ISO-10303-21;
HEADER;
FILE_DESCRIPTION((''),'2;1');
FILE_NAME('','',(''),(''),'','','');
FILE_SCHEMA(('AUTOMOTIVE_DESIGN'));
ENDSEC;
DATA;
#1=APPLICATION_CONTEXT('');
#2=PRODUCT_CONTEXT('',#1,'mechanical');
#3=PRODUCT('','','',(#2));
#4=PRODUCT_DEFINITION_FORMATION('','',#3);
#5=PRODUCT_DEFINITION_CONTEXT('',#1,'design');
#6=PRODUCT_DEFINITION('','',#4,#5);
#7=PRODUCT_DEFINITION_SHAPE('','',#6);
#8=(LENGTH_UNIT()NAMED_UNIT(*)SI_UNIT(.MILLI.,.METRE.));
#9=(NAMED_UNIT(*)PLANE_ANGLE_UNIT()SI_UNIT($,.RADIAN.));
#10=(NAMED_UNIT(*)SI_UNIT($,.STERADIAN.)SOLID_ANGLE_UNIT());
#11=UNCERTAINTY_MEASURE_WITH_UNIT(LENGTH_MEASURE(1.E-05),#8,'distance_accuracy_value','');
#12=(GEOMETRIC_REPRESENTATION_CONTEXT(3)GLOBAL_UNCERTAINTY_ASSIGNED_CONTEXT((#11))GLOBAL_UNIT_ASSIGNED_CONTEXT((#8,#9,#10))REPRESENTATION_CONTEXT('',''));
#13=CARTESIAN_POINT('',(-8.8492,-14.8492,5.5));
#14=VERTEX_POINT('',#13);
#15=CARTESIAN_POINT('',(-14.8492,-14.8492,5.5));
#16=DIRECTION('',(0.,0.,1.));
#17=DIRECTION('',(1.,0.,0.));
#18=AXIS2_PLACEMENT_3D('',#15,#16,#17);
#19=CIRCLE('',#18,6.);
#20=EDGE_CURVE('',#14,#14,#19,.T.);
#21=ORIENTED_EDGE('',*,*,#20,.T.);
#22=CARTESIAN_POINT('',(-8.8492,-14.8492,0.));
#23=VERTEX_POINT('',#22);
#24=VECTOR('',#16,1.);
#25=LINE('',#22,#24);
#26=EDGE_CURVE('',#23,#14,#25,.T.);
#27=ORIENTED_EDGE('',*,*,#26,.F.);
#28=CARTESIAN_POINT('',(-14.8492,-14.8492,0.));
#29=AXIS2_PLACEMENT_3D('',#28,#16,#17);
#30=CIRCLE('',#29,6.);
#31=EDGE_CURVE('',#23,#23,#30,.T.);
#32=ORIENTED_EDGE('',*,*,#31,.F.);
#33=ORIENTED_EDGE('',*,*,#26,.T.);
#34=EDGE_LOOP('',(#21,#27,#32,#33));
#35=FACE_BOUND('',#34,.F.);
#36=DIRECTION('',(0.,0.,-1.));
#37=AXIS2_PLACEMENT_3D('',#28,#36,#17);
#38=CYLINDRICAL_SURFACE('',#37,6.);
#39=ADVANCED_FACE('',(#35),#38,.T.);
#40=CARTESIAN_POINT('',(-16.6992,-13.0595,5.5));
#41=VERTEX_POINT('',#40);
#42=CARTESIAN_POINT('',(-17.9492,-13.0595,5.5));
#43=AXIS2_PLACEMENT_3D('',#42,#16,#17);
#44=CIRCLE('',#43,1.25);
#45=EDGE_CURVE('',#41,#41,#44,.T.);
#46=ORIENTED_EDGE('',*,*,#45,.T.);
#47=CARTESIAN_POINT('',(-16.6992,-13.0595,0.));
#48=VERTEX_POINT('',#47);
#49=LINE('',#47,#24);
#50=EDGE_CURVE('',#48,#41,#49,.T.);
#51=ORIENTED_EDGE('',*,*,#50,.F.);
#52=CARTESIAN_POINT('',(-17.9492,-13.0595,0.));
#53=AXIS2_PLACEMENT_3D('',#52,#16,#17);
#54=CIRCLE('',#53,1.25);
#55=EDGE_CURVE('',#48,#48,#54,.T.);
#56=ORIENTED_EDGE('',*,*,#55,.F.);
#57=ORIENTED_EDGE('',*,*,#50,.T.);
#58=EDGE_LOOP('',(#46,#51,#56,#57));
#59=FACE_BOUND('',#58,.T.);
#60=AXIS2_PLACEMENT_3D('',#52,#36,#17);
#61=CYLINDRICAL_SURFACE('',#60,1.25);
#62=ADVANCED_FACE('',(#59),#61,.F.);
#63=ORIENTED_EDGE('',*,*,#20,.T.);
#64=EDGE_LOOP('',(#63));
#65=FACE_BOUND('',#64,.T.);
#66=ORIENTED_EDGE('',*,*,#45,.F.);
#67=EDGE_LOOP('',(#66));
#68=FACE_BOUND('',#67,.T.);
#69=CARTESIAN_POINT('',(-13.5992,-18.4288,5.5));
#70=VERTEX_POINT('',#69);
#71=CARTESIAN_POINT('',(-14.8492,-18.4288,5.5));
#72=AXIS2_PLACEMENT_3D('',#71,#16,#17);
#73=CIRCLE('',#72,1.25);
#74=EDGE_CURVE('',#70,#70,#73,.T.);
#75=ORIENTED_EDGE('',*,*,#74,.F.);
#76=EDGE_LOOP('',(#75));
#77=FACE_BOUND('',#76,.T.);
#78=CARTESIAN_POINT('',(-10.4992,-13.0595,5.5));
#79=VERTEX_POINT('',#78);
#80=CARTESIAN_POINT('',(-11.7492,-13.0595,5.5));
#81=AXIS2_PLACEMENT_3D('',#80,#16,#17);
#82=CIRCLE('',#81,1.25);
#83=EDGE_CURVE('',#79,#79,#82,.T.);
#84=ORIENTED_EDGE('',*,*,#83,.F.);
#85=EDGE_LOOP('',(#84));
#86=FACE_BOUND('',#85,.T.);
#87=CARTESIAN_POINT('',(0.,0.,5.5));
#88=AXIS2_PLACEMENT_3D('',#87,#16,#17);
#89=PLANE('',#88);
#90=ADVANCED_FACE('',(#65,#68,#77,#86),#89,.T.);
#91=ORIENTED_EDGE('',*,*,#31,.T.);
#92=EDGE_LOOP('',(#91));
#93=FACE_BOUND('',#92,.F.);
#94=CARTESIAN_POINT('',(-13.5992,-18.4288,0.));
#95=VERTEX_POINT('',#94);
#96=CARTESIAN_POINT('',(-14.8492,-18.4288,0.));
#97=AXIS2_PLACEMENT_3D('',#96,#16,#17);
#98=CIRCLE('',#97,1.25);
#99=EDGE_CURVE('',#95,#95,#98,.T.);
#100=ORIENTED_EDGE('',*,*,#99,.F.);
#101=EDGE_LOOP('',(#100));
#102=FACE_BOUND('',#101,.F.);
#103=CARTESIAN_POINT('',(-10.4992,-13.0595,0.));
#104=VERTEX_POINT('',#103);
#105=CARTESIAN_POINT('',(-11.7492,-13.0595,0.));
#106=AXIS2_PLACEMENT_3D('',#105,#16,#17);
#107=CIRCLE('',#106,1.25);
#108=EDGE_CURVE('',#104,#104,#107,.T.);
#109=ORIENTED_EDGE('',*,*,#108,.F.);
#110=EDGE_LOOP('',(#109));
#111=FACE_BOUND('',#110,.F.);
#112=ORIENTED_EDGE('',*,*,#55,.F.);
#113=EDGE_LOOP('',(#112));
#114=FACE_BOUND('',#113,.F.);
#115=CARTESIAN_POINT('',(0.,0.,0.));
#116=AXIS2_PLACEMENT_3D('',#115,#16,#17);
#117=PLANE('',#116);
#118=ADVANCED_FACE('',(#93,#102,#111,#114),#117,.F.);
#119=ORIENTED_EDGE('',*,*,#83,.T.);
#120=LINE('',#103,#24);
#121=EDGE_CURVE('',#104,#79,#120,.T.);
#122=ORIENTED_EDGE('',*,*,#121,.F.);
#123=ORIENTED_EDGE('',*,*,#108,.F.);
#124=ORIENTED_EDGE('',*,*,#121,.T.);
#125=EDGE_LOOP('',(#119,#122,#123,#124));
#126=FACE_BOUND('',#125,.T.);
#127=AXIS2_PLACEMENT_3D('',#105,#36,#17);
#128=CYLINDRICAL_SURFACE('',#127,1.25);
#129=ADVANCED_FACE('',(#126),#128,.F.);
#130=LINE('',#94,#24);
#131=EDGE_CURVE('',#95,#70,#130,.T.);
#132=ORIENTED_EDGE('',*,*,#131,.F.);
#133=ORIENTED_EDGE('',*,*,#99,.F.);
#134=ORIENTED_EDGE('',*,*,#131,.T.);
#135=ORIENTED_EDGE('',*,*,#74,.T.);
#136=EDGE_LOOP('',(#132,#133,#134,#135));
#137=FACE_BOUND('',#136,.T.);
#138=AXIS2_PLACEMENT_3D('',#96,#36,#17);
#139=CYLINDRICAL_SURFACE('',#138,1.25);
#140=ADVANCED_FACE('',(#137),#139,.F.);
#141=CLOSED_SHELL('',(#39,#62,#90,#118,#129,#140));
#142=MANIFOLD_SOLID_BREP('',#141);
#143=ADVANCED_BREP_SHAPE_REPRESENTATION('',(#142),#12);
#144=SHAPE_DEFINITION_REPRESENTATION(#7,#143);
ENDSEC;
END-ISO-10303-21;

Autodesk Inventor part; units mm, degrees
ref_plane "YZ Plane" through (0, 0, 0) normal (1, 0, 0) x (0, 1, 0)
ref_plane "XZ Plane" through (0, 0, 0) normal (0, 1, 0) x (-1, 0, 0)
ref_plane "XY Plane" through (0, 0, 0) normal (0, 0, 1) x (1, 0, 0)
sketch "Sketch1" plane through (0, 0, 0) normal (0, 0, 1) x (1, 0, 0)
  circle A0 centre (-11.7492, -13.0595) radius 1.25
  circle A1 centre (-17.9492, -13.0595) radius 1.25
  circle A2 centre (-14.8492, -18.4288) radius 1.25
  circle A3 centre (-14.8492, -14.8492) radius 6
  point P0 (0, 0)
  point P1 (0, 0)
  dimension "d0" = 12
extrude "Extrusion1" add sketch "Sketch1" along normal blind 5.5
properties part number "カム" material "Aluminum 2014-T6"
